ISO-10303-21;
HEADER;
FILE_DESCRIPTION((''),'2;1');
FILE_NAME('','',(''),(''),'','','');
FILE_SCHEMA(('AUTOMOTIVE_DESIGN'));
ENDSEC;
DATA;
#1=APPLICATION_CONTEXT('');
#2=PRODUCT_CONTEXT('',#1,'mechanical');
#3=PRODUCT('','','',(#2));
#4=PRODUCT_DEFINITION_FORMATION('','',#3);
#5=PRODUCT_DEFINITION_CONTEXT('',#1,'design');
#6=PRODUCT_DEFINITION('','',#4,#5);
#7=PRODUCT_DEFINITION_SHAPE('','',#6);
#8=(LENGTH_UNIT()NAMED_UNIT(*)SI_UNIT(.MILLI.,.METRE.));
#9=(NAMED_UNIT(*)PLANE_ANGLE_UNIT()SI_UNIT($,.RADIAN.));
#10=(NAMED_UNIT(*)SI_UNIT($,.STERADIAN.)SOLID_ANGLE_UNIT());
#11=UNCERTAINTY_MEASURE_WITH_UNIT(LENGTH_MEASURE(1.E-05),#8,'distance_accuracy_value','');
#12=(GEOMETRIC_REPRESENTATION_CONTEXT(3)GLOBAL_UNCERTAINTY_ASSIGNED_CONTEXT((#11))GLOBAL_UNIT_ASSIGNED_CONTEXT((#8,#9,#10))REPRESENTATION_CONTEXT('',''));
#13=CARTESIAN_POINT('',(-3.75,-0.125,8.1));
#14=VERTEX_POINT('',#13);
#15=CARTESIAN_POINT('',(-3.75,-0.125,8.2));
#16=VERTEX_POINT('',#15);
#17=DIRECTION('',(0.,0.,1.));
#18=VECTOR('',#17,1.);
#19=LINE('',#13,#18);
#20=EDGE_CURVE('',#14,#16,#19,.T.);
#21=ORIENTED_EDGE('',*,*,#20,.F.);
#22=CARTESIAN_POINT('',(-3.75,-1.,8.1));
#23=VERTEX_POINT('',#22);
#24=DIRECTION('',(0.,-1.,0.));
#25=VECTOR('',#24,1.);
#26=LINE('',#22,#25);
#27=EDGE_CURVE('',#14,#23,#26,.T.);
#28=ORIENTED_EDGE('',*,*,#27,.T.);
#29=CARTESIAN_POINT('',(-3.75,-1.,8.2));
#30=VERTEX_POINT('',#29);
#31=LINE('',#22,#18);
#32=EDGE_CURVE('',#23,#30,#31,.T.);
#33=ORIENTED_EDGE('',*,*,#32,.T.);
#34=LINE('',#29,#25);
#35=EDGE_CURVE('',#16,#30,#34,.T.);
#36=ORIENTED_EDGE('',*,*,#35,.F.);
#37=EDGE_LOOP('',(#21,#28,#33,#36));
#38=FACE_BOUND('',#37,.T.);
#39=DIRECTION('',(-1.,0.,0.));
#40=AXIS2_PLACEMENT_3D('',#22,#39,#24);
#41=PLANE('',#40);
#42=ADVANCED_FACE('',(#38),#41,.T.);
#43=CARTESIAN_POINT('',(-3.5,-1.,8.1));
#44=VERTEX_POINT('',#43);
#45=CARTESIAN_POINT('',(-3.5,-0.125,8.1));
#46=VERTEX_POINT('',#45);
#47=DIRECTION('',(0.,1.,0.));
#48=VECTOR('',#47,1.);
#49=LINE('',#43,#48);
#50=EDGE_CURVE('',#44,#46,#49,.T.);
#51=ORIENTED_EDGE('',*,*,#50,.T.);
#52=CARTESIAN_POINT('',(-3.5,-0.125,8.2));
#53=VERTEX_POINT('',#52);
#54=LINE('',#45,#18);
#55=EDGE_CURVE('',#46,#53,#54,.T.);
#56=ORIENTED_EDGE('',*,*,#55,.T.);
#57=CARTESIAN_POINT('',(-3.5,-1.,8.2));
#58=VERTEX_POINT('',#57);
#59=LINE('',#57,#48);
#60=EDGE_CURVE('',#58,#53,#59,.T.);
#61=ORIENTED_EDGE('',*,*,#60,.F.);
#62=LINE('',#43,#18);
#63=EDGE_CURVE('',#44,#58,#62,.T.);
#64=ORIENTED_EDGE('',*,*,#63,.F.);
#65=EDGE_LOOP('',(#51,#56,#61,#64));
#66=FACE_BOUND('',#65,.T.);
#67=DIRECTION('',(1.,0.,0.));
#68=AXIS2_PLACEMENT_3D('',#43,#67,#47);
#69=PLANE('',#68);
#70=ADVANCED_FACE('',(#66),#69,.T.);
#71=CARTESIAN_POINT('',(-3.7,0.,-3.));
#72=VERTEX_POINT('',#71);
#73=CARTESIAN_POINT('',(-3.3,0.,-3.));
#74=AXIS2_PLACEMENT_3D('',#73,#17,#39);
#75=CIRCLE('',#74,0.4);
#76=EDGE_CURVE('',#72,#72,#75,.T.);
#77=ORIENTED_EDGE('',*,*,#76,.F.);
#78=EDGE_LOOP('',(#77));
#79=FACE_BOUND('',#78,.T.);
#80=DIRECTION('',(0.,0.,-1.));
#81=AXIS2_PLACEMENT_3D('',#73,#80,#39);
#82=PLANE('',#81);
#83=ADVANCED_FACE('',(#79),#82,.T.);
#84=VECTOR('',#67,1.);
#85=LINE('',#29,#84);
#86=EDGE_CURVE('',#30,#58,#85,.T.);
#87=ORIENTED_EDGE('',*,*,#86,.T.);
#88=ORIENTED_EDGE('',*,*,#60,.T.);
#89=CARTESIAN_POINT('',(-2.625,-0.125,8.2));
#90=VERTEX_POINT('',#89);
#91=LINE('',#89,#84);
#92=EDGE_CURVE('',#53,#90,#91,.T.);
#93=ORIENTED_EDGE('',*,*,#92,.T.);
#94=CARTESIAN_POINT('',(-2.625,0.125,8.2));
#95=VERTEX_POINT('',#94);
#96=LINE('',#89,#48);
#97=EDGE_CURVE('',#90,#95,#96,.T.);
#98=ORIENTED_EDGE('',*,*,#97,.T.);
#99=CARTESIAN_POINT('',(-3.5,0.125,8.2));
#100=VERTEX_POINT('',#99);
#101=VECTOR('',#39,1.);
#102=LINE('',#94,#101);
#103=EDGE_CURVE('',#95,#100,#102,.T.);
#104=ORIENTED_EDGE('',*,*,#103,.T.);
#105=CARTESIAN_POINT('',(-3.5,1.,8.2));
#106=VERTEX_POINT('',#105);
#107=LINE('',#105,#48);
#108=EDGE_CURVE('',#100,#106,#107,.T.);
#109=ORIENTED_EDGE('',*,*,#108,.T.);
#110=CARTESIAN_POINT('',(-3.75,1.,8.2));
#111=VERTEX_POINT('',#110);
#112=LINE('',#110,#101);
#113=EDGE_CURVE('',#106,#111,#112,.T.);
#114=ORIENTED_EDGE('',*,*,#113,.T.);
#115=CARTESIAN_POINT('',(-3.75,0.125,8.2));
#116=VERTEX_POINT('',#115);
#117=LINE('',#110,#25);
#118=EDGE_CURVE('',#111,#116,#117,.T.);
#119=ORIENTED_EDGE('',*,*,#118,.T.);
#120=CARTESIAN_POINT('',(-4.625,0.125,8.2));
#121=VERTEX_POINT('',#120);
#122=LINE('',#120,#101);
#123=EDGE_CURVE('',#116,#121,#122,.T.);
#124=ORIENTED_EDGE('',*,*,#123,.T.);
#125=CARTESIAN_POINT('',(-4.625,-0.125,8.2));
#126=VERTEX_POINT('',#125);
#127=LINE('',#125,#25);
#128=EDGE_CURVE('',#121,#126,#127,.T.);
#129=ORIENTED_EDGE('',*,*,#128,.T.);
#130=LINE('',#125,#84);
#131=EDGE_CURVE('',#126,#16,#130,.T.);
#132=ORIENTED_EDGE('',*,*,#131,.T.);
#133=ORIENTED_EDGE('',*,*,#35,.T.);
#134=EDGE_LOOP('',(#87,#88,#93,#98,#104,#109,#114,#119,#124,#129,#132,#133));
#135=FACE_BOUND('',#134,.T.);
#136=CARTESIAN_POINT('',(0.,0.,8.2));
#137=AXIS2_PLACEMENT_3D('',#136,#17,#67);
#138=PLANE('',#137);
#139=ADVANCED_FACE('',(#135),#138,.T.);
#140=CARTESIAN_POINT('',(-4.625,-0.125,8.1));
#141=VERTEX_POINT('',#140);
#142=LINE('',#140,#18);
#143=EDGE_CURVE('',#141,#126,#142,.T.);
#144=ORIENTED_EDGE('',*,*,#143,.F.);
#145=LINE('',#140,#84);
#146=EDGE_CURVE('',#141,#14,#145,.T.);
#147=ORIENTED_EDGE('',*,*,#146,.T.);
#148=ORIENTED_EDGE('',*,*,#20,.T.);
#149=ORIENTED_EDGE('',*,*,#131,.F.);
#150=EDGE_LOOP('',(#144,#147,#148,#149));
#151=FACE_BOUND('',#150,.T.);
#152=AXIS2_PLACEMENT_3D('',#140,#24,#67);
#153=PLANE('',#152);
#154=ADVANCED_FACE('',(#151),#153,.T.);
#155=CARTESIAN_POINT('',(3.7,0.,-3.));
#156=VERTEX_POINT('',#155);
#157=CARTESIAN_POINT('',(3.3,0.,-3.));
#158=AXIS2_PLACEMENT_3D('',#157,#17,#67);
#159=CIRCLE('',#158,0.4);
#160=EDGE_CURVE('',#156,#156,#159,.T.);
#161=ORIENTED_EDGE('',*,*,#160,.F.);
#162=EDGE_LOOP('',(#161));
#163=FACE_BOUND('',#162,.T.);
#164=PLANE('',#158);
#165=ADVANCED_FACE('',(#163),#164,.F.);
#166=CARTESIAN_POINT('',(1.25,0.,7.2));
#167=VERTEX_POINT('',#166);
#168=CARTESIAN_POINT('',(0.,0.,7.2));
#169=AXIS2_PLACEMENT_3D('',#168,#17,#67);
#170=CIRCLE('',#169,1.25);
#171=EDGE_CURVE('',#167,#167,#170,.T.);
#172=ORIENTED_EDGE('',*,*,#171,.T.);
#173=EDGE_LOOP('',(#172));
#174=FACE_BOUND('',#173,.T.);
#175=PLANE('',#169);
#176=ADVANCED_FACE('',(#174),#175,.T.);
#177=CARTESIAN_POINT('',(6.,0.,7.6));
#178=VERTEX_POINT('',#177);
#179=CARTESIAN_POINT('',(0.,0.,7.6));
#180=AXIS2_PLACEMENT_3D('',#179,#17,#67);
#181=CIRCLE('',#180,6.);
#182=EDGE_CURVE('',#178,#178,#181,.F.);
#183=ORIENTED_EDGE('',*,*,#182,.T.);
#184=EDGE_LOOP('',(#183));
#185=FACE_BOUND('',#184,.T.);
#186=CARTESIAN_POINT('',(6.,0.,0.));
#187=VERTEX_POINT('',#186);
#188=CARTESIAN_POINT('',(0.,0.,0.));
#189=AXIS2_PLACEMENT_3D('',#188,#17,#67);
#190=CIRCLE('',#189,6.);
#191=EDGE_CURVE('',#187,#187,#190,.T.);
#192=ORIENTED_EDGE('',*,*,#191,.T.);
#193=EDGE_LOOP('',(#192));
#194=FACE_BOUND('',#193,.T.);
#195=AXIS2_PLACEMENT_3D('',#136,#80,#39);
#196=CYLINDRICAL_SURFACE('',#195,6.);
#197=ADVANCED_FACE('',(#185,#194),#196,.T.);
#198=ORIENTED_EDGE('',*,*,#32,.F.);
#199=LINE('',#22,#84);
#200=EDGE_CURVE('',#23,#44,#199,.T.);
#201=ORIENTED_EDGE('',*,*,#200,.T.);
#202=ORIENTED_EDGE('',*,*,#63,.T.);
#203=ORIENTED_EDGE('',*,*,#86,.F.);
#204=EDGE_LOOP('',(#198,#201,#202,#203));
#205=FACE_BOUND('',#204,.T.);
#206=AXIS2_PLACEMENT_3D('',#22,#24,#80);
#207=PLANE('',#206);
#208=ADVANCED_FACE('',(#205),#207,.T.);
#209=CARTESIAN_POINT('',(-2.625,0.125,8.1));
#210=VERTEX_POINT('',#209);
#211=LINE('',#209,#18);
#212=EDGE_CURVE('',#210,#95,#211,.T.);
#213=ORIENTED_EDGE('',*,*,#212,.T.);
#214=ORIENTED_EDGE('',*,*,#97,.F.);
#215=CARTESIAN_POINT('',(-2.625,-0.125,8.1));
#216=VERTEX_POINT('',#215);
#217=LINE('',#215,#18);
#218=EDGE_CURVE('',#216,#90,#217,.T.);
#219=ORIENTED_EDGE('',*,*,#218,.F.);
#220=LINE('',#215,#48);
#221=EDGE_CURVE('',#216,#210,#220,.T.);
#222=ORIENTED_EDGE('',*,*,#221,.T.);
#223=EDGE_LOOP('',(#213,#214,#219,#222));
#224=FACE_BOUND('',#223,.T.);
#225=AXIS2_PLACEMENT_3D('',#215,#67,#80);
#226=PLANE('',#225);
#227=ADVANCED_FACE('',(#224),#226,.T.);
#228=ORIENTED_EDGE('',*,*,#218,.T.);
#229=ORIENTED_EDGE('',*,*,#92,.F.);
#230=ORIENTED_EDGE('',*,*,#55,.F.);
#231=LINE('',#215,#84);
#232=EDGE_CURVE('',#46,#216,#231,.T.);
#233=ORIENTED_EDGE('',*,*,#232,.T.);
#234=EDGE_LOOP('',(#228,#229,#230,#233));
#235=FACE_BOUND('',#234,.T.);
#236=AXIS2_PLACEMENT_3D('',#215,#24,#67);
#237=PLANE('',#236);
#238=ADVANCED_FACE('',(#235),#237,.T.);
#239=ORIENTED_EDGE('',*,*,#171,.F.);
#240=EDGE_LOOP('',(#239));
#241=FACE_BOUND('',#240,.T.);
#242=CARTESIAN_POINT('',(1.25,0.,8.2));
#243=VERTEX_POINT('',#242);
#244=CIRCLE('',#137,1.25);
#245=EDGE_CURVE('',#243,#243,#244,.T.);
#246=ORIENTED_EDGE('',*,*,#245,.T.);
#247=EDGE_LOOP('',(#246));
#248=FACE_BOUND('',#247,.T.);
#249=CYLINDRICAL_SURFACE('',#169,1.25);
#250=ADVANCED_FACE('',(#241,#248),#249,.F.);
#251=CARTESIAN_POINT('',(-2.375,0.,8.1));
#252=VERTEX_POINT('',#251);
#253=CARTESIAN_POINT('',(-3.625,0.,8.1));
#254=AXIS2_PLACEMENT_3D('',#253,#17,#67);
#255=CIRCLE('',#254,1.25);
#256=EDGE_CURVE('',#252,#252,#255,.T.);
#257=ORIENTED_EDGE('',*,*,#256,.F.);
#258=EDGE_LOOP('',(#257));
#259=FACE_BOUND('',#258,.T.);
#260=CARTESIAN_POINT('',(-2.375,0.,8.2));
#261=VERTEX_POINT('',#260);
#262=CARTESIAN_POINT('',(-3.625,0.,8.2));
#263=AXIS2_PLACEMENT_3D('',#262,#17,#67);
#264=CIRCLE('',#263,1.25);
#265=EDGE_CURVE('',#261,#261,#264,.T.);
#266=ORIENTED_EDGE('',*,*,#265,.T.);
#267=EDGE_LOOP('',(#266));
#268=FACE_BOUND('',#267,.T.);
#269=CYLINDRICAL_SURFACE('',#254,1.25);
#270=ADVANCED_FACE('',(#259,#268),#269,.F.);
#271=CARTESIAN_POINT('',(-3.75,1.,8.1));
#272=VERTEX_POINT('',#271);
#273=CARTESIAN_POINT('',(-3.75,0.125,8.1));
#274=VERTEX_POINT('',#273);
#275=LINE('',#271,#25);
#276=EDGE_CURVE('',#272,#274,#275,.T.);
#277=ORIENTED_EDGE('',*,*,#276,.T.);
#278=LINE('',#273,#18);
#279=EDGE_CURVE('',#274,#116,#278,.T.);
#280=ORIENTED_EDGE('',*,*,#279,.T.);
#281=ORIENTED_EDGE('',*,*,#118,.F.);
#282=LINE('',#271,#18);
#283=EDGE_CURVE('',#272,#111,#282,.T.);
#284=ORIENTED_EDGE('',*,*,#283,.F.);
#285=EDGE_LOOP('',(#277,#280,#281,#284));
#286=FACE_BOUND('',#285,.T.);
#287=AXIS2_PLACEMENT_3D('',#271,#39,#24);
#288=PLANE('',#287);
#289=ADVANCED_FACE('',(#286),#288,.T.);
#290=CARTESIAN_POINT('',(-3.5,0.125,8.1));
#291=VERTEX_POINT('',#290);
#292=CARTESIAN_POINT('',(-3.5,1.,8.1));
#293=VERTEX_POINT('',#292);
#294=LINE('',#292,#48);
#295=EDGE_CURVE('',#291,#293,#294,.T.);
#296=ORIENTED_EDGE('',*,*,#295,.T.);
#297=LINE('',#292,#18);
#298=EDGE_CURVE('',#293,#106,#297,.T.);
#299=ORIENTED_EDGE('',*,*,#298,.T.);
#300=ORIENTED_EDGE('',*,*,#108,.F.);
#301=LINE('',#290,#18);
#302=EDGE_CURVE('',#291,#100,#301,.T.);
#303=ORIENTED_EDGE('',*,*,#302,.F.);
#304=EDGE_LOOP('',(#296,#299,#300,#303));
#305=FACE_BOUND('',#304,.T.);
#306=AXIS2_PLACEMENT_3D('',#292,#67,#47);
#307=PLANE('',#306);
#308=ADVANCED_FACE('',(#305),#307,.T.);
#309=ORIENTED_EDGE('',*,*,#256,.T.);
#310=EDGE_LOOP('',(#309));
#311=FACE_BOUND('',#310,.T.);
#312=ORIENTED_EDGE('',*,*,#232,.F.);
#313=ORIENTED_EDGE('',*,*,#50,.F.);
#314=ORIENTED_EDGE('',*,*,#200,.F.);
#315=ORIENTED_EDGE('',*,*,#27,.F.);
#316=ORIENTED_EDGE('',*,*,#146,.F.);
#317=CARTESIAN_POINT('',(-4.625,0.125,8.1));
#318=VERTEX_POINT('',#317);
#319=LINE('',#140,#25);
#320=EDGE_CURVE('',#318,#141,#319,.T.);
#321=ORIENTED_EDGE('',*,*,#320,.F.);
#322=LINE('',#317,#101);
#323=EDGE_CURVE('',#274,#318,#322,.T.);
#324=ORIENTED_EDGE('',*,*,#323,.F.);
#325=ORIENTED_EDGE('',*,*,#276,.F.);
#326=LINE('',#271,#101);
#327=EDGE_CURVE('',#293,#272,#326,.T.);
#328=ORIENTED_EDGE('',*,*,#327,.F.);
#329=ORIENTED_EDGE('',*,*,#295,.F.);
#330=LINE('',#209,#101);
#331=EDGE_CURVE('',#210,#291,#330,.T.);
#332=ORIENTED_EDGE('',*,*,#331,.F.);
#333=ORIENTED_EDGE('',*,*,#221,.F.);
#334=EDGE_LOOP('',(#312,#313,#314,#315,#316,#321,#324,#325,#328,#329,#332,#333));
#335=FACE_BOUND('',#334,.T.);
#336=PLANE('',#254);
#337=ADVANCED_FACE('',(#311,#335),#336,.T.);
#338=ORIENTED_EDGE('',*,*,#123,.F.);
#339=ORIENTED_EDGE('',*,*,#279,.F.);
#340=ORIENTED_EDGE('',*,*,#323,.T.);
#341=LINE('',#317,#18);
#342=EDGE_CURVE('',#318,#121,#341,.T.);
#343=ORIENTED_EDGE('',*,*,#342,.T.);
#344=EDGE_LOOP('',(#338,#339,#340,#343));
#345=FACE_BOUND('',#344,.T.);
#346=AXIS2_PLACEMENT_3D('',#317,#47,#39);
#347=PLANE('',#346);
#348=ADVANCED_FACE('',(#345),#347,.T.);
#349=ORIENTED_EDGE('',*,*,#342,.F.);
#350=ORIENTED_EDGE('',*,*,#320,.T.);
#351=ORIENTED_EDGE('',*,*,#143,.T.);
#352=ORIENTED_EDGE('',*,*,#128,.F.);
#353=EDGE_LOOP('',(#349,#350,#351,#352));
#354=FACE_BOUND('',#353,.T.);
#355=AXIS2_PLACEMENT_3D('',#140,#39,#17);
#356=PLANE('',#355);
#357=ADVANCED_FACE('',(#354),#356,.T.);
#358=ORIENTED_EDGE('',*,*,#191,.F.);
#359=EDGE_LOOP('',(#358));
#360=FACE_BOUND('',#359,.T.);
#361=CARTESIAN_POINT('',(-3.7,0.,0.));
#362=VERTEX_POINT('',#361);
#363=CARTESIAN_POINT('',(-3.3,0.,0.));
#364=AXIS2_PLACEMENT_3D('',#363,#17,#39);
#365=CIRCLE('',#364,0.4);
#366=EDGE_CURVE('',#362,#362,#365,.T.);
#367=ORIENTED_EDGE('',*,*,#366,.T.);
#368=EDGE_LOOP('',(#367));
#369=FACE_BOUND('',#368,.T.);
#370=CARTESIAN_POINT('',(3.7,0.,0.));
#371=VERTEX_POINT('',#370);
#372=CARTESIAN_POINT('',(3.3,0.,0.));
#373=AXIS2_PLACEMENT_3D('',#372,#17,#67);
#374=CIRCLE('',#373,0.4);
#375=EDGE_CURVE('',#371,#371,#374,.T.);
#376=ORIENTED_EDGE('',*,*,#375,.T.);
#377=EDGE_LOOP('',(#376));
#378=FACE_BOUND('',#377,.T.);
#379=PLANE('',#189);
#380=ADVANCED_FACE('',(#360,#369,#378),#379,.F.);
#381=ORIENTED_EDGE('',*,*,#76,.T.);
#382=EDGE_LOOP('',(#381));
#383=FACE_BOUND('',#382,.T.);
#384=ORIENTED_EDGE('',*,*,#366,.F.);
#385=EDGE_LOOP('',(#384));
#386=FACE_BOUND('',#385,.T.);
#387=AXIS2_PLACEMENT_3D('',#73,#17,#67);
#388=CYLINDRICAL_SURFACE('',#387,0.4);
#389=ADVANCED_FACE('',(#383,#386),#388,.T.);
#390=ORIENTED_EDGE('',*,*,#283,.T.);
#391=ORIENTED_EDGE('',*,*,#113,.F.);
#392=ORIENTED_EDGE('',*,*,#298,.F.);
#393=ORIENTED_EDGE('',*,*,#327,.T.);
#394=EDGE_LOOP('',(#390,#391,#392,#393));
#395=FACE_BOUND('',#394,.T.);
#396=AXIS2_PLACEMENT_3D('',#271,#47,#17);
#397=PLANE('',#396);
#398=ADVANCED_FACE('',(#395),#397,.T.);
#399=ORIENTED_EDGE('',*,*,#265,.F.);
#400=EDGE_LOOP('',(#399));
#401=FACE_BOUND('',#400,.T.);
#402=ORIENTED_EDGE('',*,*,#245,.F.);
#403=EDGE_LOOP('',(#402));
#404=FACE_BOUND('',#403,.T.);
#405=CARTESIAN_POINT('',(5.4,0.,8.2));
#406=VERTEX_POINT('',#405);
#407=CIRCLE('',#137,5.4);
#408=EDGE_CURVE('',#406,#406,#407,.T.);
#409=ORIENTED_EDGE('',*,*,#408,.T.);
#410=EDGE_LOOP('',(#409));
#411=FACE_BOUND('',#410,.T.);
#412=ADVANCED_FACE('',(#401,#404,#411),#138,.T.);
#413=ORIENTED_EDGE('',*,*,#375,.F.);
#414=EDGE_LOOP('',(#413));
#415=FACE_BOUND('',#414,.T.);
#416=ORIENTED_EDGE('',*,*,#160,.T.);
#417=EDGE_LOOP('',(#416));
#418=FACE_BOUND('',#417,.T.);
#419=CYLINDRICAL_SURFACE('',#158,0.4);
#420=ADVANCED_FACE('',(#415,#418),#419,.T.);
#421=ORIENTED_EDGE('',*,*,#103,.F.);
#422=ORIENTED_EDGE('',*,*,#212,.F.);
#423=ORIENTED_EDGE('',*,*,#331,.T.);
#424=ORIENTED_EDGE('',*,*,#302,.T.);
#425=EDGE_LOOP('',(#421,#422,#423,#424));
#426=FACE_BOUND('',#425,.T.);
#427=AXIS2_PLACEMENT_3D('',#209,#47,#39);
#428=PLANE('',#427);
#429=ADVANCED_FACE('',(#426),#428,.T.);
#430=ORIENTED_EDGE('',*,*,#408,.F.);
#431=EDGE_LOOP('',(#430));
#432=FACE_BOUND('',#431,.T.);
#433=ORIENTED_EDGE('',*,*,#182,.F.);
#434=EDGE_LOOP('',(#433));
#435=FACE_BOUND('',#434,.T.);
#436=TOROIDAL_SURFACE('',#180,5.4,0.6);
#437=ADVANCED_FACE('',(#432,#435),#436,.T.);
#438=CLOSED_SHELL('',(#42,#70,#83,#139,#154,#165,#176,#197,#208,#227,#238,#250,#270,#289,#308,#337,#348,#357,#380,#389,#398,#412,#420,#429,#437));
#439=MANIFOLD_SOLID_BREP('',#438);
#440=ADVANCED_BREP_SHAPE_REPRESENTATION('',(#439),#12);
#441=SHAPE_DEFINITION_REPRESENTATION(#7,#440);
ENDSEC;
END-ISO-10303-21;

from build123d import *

# Parameters (mm, degrees)
ESQUISSE1_R    = 6
CORP_DEPTH     = 8.2
ESQUISSE2_R    = 1.25
TROU_SON_DEPTH = 1
ESQUISSE3_R    = 0.4
PINS_DEPTH     = 3
CONG_1_R       = 0.6
ESQUISSE4_R    = 1.25
PLUS_DEPTH     = 0.1


with BuildPart() as part:
    # Esquisse1 → corp (new body)
    with BuildSketch(Plane.XY):
        Circle(ESQUISSE1_R)
    extrude(amount=CORP_DEPTH)

    # Esquisse2 → trou son (cut)
    with BuildSketch(Plane.XY.offset(8.2)):
        Circle(ESQUISSE2_R)
    extrude(amount=-TROU_SON_DEPTH, mode=Mode.SUBTRACT)

    # Esquisse3 → pins (add)
    with BuildSketch(Plane.XY):
        with Locations((3.3, 0)):
            Circle(ESQUISSE3_R)
        with Locations(Location((-3.3, 0, 0), (0, 0, 180))):
            Circle(ESQUISSE3_R)
    extrude(amount=-PINS_DEPTH)

    # Congé1
    cong_1_edges = [part.edges().sort_by_distance(p)[0] for p in [
        (-6, 0, 8.2),
    ]]
    fillet(cong_1_edges, radius=CONG_1_R)

    # Esquisse4 → plus (cut)
    with BuildSketch(Plane.XY.offset(8.2)):
        with Locations((-3.625, 0)):
            Circle(ESQUISSE4_R)
        Polygon((-2.625, -0.125), (-2.625, 0.125), (-3.5, 0.125), (-3.5, 1), (-3.75, 1), (-3.75, 0.125), (-4.625, 0.125), (-4.625, -0.125), (-3.75, -0.125), (-3.75, -1), (-3.5, -1), (-3.5, -0.125), align=None, mode=Mode.SUBTRACT)
    extrude(amount=-PLUS_DEPTH, mode=Mode.SUBTRACT)


solid = part.part
